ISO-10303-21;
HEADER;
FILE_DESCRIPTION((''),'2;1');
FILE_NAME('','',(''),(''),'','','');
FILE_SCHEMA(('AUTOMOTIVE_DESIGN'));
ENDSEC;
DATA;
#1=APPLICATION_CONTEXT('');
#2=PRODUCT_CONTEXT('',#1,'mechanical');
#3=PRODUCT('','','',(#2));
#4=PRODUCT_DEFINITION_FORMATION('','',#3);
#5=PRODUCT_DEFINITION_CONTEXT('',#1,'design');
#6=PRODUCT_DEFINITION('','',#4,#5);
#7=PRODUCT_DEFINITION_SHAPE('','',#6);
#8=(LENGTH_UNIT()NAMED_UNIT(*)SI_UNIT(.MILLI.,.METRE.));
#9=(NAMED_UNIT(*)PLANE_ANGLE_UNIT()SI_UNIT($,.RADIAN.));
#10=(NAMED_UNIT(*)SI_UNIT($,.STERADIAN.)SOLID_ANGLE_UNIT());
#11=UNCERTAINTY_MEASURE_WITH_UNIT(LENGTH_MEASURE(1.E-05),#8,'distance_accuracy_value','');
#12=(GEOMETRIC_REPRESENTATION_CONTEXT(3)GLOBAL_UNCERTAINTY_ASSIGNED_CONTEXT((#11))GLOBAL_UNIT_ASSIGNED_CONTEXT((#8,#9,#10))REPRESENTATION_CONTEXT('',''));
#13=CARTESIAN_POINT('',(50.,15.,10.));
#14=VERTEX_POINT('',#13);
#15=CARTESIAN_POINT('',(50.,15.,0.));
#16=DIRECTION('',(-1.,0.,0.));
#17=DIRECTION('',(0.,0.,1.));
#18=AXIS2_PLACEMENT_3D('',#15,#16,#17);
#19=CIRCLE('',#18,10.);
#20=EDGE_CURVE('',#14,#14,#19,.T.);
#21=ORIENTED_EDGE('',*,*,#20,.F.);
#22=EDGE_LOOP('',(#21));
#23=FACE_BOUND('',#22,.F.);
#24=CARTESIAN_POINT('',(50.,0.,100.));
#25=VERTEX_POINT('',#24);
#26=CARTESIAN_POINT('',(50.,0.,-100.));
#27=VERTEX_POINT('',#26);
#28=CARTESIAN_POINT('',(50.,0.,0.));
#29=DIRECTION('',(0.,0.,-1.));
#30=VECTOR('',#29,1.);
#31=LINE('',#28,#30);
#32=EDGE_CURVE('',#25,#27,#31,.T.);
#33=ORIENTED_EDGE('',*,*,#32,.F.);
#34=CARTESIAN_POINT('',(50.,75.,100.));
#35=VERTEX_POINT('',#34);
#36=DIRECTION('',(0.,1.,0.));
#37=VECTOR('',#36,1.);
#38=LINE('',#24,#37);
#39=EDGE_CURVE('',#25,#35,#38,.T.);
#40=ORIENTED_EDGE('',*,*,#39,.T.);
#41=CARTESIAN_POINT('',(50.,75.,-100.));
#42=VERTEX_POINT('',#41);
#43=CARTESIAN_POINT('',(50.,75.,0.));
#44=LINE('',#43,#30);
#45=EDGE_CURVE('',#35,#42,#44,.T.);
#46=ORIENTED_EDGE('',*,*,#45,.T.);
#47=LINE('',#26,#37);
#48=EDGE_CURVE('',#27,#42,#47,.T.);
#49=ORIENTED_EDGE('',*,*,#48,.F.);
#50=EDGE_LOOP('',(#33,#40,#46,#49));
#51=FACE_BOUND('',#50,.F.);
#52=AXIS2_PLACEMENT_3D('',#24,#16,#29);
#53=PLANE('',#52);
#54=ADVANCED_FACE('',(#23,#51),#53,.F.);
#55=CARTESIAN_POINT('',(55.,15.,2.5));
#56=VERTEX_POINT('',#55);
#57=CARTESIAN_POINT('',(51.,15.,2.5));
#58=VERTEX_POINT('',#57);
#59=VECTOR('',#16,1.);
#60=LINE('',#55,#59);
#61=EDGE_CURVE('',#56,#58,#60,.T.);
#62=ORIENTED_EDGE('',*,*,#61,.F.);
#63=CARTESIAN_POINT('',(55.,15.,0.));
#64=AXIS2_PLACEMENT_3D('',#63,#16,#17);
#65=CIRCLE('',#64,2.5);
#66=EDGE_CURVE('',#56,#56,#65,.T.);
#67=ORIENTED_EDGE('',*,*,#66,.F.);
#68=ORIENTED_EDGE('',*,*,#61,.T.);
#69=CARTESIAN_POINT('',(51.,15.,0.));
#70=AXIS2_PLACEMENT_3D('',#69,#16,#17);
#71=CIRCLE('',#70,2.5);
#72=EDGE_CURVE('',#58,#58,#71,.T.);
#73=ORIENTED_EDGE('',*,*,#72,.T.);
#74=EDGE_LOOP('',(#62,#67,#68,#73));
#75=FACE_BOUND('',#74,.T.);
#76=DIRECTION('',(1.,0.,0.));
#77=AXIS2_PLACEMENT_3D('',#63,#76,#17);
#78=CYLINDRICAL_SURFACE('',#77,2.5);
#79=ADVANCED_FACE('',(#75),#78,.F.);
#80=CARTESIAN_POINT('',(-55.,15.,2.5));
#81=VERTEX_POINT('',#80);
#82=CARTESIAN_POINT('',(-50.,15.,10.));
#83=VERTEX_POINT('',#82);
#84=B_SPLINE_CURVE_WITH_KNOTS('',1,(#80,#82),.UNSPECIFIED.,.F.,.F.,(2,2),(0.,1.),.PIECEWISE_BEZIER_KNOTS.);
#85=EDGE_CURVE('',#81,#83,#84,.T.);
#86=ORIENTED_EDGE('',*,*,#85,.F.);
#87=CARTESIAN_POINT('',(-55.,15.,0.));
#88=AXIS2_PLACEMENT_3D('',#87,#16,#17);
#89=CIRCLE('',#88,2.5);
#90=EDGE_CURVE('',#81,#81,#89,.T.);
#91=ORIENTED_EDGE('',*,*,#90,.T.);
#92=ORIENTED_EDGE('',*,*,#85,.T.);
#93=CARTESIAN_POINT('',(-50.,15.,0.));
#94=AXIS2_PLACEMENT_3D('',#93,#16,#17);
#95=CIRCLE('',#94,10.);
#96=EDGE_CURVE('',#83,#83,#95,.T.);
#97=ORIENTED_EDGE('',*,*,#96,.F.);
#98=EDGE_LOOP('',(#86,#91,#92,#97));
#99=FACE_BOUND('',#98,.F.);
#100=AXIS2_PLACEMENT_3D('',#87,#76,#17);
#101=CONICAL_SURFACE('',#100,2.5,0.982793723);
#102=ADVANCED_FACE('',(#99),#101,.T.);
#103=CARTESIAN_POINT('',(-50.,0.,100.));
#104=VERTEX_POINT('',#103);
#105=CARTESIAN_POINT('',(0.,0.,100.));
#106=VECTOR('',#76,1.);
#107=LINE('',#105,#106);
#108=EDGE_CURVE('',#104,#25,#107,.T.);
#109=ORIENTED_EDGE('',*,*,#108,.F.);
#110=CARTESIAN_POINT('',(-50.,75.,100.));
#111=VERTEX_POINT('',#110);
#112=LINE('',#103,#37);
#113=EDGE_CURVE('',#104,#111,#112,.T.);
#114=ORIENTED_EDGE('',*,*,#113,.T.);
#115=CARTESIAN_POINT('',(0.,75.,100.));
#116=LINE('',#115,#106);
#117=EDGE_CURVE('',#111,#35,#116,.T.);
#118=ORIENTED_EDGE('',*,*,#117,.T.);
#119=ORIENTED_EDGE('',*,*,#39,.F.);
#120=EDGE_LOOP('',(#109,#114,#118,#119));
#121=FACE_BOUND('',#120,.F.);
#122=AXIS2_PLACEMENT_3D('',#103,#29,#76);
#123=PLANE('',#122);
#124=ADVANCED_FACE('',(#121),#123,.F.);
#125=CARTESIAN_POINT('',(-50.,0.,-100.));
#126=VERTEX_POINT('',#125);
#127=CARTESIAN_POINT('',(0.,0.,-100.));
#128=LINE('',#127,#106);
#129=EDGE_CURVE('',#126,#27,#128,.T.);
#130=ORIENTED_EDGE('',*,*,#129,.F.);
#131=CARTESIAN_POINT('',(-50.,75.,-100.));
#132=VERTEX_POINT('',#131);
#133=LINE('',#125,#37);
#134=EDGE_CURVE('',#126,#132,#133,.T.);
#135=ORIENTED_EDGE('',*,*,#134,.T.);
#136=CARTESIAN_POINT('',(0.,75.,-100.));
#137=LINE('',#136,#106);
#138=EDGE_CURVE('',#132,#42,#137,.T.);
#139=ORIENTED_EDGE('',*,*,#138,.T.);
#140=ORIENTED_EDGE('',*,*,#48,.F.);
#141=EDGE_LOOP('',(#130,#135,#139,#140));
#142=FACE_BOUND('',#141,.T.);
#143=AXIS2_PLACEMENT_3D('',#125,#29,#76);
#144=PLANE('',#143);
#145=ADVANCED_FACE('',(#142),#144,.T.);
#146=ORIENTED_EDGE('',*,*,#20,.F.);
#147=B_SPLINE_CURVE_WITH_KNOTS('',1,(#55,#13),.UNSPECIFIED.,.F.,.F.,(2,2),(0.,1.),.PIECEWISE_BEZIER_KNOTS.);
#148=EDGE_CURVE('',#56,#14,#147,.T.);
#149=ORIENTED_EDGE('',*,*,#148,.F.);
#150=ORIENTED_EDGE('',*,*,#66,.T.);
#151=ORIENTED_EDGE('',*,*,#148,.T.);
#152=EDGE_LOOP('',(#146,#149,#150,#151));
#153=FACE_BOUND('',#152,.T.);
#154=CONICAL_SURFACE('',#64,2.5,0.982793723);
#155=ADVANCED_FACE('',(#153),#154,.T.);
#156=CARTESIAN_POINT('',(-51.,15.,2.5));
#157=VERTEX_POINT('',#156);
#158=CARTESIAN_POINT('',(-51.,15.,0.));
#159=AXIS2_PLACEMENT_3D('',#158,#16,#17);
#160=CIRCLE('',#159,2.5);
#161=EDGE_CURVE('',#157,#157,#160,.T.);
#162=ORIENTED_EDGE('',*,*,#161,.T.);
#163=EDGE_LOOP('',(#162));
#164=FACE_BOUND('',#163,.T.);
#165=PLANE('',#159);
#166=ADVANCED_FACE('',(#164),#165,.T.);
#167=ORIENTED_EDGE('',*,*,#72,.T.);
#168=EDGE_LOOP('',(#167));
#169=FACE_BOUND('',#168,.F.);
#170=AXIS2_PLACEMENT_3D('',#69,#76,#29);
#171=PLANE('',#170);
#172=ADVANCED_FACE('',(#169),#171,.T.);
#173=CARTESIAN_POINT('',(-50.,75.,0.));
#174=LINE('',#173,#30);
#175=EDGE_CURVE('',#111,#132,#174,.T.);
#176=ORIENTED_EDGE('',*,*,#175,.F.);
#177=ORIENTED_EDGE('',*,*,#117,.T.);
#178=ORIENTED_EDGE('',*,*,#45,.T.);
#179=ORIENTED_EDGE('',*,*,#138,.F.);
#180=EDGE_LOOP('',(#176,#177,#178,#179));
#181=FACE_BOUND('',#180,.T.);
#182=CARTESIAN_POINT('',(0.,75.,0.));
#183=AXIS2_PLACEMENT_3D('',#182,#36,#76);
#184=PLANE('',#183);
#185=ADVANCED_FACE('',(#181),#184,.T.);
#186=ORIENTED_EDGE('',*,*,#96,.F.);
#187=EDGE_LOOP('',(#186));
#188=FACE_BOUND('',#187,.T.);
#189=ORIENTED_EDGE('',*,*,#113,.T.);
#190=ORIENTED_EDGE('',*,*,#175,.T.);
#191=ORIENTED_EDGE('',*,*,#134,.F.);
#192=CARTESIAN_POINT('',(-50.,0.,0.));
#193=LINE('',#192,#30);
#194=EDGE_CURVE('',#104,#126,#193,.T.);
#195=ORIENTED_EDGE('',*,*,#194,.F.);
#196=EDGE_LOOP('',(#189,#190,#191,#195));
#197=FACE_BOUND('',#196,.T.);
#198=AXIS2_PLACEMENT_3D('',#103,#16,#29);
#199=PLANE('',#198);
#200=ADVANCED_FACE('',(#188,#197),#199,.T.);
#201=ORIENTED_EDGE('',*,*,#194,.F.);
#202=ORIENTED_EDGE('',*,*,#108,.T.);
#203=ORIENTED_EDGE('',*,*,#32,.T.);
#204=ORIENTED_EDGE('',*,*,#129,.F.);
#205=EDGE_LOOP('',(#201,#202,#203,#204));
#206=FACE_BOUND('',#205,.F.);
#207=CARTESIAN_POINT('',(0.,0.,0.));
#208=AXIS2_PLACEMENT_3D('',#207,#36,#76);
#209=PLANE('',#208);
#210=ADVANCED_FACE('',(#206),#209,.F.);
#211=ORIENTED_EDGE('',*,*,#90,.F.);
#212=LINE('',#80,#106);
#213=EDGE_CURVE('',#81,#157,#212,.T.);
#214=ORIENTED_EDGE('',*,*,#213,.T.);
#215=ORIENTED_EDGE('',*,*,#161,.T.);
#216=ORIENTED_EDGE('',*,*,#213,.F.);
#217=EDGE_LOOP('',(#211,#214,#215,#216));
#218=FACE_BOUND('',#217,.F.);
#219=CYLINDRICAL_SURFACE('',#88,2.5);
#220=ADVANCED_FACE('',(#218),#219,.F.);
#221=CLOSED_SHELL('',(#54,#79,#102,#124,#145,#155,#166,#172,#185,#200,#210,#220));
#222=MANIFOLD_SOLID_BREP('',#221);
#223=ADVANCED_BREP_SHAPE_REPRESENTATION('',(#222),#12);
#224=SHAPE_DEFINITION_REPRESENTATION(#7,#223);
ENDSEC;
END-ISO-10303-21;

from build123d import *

# Parameters (mm, degrees)
SKETCH2_W           = 100
SKETCH2_H           = 200
BOSS_EXTRUDE1_DEPTH = 75
SKETCH5_R           = 2.5
SKETCH3_R           = 10
SKETCH6_R           = 2.5
CUT_EXTRUDE1_DEPTH  = 4


with BuildPart() as part:
    # Sketch2 → Boss-Extrude1 (new body)
    with BuildSketch(Plane(origin=(0, 0, 0), x_dir=(1, 0, 0), z_dir=(0, 1, 0))):
        Rectangle(SKETCH2_W, SKETCH2_H)
    extrude(amount=BOSS_EXTRUDE1_DEPTH)

    # Sketch5 → Loft1 section 0
    with BuildSketch(Plane.ZY.offset(55)):
        with Locations((0, 15)):
            Circle(SKETCH5_R)
    # Sketch3 → Loft1 section 1
    with BuildSketch(Plane.ZY.offset(50)):
        with Locations((0, 15)):
            Circle(SKETCH3_R)
    loft1 = loft()

    # Sketch6 → Cut-Extrude1 (cut)
    with BuildSketch(Plane.ZY.offset(55)):
        with Locations((0, 15)):
            Circle(SKETCH6_R)
    cut_extrude1 = extrude(amount=-CUT_EXTRUDE1_DEPTH, mode=Mode.SUBTRACT)

    # Mirror1: Loft1, Cut-Extrude1 across plane
    add(loft1.mirror(Plane(origin=(0, 0, 0), x_dir=(0, 0, 1), z_dir=(1, 0, 0))))
    add(cut_extrude1.mirror(Plane(origin=(0, 0, 0), x_dir=(0, 0, 1), z_dir=(1, 0, 0))), mode=Mode.SUBTRACT)


solid = part.part
